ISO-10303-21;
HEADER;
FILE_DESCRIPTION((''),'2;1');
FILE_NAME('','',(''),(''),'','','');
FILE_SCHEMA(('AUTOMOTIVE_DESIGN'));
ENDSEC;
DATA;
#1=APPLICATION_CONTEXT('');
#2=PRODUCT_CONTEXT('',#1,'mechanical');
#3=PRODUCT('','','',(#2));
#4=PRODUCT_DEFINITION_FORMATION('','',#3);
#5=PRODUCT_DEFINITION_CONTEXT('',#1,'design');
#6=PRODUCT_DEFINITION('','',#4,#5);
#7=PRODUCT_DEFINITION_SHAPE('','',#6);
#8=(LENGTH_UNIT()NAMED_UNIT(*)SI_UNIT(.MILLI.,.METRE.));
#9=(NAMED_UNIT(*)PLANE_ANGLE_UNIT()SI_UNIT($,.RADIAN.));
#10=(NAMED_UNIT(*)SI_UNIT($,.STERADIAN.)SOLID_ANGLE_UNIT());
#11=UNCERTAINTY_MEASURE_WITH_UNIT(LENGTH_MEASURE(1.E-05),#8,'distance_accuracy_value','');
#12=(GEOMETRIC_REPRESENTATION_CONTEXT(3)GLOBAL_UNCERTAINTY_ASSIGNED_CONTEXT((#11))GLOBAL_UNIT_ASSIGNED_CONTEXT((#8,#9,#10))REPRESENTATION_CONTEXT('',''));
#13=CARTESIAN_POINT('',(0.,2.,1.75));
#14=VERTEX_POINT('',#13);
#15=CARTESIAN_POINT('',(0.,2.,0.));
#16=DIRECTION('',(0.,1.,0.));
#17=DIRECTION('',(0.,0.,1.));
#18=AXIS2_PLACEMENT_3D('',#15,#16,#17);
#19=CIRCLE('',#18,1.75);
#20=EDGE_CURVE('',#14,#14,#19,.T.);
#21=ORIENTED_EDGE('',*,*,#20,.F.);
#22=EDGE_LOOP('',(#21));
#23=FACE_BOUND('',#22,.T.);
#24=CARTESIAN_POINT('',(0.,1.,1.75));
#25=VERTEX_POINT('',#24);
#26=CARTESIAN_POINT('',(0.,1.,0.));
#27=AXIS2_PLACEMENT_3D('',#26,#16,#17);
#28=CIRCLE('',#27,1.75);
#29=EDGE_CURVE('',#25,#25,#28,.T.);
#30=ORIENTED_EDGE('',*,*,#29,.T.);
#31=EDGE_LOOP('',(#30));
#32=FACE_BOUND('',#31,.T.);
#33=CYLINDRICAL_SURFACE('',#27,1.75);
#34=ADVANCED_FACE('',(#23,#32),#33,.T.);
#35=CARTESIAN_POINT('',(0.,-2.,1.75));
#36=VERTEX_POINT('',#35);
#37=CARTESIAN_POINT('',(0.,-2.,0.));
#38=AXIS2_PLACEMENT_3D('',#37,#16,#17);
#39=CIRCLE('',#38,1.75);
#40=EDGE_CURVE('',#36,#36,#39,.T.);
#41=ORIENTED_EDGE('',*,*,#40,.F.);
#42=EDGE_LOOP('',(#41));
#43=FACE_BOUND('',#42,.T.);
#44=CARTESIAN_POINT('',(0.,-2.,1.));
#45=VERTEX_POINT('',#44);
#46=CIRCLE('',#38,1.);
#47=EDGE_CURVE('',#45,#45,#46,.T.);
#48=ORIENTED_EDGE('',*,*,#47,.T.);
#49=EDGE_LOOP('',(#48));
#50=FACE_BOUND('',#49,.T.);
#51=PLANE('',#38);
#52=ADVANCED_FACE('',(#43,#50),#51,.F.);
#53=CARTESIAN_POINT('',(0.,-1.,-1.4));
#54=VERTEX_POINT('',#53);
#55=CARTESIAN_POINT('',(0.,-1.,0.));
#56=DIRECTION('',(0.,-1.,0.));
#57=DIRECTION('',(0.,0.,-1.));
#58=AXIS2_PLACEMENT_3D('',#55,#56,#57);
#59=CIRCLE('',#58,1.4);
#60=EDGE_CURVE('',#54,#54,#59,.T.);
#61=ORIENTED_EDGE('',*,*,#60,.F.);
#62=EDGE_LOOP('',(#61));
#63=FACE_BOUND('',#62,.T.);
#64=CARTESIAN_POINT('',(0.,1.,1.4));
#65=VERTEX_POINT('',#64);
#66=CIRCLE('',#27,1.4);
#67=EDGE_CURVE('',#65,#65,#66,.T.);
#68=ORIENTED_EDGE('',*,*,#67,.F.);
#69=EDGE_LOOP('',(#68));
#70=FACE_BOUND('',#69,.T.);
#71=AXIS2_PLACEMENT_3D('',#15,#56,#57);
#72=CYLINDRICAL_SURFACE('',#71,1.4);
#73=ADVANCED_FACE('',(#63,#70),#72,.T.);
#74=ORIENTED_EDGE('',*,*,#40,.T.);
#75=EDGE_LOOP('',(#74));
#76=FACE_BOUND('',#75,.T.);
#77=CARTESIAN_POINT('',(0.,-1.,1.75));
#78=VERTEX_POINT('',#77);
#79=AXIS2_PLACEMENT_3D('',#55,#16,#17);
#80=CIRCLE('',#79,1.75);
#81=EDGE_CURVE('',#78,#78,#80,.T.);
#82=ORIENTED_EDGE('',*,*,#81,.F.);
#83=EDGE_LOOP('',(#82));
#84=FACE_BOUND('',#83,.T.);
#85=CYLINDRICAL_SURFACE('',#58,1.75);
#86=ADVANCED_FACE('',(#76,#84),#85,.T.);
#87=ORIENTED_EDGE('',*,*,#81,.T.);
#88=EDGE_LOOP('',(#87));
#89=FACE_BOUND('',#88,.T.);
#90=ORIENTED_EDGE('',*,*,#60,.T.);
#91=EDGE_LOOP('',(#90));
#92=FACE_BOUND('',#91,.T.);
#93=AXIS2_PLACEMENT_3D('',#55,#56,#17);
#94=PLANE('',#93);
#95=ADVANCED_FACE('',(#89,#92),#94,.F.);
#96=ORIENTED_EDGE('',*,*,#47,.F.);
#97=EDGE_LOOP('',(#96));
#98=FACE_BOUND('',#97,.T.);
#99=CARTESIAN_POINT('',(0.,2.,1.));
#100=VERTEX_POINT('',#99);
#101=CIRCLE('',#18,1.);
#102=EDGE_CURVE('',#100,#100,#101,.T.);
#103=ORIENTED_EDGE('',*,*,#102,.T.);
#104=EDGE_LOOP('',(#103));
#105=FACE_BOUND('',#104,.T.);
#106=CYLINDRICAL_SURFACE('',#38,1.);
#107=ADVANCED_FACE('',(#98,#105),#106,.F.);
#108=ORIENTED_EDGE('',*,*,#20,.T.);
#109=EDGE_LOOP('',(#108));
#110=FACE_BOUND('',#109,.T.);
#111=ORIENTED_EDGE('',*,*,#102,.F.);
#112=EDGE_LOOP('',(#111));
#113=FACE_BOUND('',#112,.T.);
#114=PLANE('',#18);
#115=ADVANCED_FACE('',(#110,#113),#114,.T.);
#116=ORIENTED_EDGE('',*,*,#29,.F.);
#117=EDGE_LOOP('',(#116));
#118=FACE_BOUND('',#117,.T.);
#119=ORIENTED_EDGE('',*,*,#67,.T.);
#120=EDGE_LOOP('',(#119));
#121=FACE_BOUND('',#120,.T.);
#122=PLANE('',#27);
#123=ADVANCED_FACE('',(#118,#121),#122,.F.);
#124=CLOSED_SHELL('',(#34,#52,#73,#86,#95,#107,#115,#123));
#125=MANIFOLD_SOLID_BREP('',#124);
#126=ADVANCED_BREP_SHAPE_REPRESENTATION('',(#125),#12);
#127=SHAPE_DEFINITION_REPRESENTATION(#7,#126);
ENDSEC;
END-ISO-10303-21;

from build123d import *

# Parameters (mm, degrees)
SKETCH1_R               = 1.4
BOSS_EXTRUDE1_DEPTH     = 2
SKETCH2_R               = 1.75
BOSS_EXTRUDE2_DEPTH     = 1
CUT_EXTRUDE1_DEPTH      = 4.181980515
CUT_EXTRUDE1_DEPTH_BACK = 4.181980515
SKETCH3_R               = 1


with BuildPart() as part:
    # Sketch1 → Boss-Extrude1 (new, symmetric)
    with BuildSketch(Plane(origin=(0, 0, 0), x_dir=(1, 0, 0), z_dir=(0, 1, 0))):
        with Locations(Location((0, 0, 0), (0, 0, 270))):
            Circle(SKETCH1_R)
    extrude(amount=BOSS_EXTRUDE1_DEPTH, both=True)

    # Sketch2 → Boss-Extrude2 (add)
    with BuildSketch(Plane(origin=(0, 2, 0), x_dir=(1, 0, 0), z_dir=(0, 1, 0))):
        with Locations(Location((0, 0, 0), (0, 0, 270))):
            Circle(SKETCH2_R)
    boss_extrude2 = extrude(amount=-BOSS_EXTRUDE2_DEPTH)

    # Mirror1: Boss-Extrude2 across plane
    add(boss_extrude2.mirror(Plane.ZX))

    # Sketch3 → Cut-Extrude1 (cut, two sides: drawn at the far end of the back side and taken through both)
    with BuildSketch(Plane(origin=(0, 0, 0), x_dir=(1, 0, 0), z_dir=(0, 1, 0)).offset(-CUT_EXTRUDE1_DEPTH_BACK)):
        with Locations(Location((0, 0, 0), (0, 0, 270))):
            Circle(SKETCH3_R)
    extrude(amount=CUT_EXTRUDE1_DEPTH + CUT_EXTRUDE1_DEPTH_BACK, mode=Mode.SUBTRACT)


solid = part.part
